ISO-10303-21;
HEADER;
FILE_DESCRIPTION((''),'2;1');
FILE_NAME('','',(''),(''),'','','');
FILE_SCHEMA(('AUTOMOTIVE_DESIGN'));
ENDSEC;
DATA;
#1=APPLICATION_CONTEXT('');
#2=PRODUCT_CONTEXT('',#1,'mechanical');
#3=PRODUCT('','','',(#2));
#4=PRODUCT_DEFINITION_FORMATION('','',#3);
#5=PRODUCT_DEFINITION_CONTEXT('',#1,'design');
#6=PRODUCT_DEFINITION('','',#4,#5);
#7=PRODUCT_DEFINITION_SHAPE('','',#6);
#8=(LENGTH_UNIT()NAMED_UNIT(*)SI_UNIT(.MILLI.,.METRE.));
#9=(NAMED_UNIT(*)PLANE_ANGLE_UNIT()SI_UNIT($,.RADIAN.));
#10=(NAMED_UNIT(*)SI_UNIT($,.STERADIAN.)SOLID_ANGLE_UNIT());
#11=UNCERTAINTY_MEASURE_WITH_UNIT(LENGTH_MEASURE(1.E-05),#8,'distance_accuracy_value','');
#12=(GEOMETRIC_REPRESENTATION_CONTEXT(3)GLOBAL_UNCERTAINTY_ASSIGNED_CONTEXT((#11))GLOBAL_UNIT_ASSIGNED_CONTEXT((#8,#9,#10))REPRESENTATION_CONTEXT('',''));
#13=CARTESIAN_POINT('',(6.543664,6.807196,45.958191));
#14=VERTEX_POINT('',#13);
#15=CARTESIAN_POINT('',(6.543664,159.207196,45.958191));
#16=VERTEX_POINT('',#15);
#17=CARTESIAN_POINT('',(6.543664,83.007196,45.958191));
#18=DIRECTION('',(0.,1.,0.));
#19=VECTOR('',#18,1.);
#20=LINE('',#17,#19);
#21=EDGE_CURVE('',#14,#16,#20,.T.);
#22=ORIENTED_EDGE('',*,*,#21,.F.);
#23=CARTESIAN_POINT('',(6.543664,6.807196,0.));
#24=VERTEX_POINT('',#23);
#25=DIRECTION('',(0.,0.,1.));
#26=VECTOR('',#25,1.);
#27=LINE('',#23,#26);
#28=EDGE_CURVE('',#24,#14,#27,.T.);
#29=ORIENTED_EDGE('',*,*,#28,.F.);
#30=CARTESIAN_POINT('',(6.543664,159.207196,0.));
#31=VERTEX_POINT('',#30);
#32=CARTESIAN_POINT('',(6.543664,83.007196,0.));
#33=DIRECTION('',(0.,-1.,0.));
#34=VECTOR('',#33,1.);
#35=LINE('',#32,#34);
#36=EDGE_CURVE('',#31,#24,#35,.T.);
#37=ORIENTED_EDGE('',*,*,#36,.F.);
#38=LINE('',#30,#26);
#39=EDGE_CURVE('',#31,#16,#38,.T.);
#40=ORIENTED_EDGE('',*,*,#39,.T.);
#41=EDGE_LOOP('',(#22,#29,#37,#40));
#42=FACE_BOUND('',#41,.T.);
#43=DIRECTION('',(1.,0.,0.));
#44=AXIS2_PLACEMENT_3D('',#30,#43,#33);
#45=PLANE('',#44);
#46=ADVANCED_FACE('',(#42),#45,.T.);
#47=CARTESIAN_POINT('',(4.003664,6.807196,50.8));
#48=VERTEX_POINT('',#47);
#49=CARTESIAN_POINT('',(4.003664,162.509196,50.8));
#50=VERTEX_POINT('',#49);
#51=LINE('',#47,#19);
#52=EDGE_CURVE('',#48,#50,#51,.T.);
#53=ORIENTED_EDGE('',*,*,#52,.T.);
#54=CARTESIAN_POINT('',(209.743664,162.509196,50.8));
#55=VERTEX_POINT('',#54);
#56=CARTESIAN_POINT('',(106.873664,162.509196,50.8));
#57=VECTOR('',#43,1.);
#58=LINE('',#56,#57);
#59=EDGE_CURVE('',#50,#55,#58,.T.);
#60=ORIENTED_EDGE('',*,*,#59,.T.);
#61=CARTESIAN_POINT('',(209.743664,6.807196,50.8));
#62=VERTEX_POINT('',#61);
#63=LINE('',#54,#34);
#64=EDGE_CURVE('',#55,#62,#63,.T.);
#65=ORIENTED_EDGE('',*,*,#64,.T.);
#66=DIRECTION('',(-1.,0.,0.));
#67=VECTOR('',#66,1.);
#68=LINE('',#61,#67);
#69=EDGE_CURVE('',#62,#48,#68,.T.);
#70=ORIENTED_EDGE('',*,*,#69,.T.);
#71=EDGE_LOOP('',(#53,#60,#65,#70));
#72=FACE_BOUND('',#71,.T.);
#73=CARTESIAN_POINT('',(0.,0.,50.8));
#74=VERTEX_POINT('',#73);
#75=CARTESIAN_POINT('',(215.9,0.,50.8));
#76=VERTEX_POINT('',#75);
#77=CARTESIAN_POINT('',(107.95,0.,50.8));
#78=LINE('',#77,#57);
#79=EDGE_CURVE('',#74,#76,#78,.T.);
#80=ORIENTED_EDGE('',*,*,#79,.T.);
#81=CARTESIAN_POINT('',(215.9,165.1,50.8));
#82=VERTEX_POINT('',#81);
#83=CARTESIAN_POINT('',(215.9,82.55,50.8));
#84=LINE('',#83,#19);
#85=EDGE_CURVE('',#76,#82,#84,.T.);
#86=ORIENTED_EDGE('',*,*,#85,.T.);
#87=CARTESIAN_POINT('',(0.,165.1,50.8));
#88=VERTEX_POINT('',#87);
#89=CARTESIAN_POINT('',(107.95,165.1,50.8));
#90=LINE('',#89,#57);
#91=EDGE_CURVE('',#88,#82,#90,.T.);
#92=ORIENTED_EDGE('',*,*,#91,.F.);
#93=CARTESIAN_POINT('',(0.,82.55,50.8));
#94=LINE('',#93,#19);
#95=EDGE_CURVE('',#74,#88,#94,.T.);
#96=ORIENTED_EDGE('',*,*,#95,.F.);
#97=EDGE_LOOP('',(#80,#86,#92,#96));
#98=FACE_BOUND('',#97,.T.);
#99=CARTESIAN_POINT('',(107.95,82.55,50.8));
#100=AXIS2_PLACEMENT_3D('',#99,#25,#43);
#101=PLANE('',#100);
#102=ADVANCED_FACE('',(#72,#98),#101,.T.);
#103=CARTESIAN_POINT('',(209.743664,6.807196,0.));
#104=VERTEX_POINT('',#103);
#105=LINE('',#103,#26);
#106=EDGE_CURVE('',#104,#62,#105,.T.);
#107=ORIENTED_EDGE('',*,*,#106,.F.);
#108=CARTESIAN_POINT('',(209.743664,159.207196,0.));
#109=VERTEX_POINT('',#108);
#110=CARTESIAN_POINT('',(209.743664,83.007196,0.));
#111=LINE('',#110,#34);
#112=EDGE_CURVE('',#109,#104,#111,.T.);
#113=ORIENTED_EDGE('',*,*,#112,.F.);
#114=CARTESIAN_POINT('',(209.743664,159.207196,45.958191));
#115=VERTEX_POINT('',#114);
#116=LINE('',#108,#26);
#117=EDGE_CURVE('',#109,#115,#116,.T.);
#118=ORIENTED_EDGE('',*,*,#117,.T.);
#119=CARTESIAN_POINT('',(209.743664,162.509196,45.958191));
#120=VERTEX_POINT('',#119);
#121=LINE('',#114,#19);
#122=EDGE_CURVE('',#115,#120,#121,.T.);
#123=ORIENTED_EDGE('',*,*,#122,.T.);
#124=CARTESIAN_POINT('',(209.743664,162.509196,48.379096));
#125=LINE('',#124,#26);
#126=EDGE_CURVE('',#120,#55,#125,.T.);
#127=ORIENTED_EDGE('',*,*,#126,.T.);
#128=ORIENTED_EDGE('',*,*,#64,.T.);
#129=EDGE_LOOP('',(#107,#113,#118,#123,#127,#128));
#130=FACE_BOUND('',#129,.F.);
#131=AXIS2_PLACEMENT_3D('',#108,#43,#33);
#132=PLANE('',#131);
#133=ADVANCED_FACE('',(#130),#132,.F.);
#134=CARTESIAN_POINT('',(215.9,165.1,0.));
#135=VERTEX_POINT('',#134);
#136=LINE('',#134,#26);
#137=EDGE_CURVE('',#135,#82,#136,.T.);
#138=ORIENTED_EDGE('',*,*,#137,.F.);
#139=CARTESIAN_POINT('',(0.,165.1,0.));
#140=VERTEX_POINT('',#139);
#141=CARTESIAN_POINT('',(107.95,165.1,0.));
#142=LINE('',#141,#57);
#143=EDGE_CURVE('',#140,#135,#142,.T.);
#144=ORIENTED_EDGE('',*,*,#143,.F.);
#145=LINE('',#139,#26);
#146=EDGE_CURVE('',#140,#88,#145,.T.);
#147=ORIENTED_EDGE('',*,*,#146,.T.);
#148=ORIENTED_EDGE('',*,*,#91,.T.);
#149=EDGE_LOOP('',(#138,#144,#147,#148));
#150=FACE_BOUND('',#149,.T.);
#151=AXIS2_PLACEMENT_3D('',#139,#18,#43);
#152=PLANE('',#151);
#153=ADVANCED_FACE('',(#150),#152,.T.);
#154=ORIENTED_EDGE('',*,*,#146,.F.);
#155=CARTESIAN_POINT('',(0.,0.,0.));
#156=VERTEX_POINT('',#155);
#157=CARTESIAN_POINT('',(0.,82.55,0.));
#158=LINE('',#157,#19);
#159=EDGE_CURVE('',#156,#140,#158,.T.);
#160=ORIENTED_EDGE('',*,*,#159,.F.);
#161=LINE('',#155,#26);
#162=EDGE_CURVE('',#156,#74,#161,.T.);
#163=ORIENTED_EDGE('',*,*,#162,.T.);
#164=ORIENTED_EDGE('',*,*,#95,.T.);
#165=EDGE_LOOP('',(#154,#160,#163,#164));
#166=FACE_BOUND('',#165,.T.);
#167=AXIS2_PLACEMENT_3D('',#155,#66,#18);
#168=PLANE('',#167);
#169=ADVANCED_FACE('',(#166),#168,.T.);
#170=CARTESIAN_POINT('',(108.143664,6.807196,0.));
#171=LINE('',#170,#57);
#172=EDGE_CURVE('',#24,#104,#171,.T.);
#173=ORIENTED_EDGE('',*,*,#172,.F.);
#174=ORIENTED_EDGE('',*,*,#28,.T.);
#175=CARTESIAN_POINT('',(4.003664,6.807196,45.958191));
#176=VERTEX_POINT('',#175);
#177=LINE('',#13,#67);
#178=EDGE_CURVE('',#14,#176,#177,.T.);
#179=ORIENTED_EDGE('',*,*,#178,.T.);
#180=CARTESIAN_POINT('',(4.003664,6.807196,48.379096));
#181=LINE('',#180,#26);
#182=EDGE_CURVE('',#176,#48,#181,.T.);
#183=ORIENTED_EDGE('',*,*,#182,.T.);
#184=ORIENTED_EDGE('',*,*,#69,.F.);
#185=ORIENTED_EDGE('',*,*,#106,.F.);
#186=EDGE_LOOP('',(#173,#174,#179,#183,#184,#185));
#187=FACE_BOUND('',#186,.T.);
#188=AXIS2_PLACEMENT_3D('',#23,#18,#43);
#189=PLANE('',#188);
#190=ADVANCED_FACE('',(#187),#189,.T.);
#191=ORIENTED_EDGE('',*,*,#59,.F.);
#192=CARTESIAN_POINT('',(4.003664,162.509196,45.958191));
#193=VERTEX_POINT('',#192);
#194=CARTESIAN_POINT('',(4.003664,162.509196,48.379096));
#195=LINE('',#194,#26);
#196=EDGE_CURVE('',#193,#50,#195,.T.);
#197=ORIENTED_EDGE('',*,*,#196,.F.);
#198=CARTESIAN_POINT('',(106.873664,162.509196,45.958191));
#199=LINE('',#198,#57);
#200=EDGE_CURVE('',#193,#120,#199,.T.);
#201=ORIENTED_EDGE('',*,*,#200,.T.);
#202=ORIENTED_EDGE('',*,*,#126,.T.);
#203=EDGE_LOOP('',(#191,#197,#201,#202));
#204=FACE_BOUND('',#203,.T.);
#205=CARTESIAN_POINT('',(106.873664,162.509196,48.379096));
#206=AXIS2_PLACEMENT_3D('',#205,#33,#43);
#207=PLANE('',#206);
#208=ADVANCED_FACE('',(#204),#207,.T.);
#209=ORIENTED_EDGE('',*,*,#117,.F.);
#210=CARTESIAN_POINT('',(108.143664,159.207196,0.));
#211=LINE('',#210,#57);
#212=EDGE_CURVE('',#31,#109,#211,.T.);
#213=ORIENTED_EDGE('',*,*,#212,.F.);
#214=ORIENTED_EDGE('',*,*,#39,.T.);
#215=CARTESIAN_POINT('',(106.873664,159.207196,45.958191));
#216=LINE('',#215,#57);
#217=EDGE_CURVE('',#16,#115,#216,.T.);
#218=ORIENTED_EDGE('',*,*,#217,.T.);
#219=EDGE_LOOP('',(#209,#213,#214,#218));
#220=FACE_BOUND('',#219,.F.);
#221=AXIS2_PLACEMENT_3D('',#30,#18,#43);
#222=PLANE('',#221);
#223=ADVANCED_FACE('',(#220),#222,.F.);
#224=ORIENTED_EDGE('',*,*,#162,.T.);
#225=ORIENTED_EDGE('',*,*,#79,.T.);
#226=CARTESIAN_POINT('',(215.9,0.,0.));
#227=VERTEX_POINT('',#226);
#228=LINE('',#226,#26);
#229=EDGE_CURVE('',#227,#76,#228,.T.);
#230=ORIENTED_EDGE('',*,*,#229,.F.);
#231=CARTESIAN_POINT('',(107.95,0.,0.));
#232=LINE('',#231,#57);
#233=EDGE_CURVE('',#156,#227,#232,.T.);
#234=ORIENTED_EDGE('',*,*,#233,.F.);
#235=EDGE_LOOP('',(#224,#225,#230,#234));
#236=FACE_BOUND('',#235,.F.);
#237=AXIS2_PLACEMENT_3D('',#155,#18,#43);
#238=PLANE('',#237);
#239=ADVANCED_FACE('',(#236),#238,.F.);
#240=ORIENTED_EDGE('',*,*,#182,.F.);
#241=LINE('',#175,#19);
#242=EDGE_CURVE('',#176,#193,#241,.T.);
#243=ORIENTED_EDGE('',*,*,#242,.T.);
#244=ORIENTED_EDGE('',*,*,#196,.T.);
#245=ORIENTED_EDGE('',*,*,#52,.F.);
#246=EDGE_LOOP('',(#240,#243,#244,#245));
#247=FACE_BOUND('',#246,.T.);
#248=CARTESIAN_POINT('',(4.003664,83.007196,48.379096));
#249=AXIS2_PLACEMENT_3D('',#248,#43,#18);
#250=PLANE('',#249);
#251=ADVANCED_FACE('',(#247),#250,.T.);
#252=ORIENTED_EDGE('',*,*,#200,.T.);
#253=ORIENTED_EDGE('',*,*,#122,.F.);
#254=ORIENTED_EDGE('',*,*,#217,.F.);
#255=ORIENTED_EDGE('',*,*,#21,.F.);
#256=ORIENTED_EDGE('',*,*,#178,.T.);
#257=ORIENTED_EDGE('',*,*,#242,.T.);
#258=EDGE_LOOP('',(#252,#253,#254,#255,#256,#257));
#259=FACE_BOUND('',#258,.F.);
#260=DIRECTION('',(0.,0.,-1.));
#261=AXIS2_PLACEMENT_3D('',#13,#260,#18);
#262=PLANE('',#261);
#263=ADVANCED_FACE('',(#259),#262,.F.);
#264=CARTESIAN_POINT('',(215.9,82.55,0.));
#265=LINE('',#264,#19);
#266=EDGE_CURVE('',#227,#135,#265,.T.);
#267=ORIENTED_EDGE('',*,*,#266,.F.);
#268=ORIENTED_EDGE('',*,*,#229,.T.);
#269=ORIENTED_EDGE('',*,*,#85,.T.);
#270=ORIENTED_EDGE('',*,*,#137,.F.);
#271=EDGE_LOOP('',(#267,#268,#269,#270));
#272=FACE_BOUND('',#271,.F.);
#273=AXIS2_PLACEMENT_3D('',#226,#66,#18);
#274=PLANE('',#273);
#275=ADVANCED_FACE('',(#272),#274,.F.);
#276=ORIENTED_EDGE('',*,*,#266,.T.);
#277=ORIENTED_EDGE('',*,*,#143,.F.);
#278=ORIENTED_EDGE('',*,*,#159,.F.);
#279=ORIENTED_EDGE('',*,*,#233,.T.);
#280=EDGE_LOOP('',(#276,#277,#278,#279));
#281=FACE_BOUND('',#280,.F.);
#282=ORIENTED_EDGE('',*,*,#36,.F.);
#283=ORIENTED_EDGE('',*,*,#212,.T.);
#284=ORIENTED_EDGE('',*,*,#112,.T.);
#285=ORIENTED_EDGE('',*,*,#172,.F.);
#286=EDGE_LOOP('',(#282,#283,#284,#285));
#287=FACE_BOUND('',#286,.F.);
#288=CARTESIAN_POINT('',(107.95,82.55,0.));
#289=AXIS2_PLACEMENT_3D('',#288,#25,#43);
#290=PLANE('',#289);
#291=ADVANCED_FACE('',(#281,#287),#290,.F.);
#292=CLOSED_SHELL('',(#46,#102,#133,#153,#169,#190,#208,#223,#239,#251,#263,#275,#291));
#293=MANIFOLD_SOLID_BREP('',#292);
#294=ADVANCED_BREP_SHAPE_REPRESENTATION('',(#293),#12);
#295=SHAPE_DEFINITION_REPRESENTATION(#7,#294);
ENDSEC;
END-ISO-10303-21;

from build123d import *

# Parameters (mm, degrees)
F0_W     = 215.9
F0_H     = 165.1
F1_DEPTH = 50.8
F2_W     = 203.2
F2_H     = 152.4
F3_DEPTH = 50.8
F4_W     = 152.4
F4_H     = 4.8418088436
F5_DEPTH = 2.54
F6_W     = 205.74
F6_H     = 4.8418088436
F7_DEPTH = 3.302


with BuildPart() as f1:
    # F0 (on Top) → F1 (new body)
    with BuildSketch(Plane.XY):
        with Locations((107.95, 82.55)):
            Rectangle(F0_W, F0_H)
    extrude(amount=F1_DEPTH)

    # F2 (on face) → F3 (cut)
    with BuildSketch(Plane(origin=(0, 0, 0), x_dir=(1, 0, 0), z_dir=(0, 0, -1))):
        with Locations((108.1436636686, -83.0071964197)):
            Rectangle(F2_W, F2_H)
    extrude(amount=-F3_DEPTH, mode=Mode.SUBTRACT)

    # F4 (on face) → F5 (cut)
    with BuildSketch(Plane.YZ.offset(6.5436636686)):
        with Locations((83.0071964197, 48.3790955782)):
            Rectangle(F4_W, F4_H)
    extrude(amount=-F5_DEPTH, mode=Mode.SUBTRACT)

    # F6 (on face) → F7 (cut)
    with BuildSketch(Plane.XZ.offset(-159.2071964197)):
        with Locations((106.8736636686, 48.3790955782)):
            Rectangle(F6_W, F6_H)
    extrude(amount=-F7_DEPTH, mode=Mode.SUBTRACT)


solid = f1.part
